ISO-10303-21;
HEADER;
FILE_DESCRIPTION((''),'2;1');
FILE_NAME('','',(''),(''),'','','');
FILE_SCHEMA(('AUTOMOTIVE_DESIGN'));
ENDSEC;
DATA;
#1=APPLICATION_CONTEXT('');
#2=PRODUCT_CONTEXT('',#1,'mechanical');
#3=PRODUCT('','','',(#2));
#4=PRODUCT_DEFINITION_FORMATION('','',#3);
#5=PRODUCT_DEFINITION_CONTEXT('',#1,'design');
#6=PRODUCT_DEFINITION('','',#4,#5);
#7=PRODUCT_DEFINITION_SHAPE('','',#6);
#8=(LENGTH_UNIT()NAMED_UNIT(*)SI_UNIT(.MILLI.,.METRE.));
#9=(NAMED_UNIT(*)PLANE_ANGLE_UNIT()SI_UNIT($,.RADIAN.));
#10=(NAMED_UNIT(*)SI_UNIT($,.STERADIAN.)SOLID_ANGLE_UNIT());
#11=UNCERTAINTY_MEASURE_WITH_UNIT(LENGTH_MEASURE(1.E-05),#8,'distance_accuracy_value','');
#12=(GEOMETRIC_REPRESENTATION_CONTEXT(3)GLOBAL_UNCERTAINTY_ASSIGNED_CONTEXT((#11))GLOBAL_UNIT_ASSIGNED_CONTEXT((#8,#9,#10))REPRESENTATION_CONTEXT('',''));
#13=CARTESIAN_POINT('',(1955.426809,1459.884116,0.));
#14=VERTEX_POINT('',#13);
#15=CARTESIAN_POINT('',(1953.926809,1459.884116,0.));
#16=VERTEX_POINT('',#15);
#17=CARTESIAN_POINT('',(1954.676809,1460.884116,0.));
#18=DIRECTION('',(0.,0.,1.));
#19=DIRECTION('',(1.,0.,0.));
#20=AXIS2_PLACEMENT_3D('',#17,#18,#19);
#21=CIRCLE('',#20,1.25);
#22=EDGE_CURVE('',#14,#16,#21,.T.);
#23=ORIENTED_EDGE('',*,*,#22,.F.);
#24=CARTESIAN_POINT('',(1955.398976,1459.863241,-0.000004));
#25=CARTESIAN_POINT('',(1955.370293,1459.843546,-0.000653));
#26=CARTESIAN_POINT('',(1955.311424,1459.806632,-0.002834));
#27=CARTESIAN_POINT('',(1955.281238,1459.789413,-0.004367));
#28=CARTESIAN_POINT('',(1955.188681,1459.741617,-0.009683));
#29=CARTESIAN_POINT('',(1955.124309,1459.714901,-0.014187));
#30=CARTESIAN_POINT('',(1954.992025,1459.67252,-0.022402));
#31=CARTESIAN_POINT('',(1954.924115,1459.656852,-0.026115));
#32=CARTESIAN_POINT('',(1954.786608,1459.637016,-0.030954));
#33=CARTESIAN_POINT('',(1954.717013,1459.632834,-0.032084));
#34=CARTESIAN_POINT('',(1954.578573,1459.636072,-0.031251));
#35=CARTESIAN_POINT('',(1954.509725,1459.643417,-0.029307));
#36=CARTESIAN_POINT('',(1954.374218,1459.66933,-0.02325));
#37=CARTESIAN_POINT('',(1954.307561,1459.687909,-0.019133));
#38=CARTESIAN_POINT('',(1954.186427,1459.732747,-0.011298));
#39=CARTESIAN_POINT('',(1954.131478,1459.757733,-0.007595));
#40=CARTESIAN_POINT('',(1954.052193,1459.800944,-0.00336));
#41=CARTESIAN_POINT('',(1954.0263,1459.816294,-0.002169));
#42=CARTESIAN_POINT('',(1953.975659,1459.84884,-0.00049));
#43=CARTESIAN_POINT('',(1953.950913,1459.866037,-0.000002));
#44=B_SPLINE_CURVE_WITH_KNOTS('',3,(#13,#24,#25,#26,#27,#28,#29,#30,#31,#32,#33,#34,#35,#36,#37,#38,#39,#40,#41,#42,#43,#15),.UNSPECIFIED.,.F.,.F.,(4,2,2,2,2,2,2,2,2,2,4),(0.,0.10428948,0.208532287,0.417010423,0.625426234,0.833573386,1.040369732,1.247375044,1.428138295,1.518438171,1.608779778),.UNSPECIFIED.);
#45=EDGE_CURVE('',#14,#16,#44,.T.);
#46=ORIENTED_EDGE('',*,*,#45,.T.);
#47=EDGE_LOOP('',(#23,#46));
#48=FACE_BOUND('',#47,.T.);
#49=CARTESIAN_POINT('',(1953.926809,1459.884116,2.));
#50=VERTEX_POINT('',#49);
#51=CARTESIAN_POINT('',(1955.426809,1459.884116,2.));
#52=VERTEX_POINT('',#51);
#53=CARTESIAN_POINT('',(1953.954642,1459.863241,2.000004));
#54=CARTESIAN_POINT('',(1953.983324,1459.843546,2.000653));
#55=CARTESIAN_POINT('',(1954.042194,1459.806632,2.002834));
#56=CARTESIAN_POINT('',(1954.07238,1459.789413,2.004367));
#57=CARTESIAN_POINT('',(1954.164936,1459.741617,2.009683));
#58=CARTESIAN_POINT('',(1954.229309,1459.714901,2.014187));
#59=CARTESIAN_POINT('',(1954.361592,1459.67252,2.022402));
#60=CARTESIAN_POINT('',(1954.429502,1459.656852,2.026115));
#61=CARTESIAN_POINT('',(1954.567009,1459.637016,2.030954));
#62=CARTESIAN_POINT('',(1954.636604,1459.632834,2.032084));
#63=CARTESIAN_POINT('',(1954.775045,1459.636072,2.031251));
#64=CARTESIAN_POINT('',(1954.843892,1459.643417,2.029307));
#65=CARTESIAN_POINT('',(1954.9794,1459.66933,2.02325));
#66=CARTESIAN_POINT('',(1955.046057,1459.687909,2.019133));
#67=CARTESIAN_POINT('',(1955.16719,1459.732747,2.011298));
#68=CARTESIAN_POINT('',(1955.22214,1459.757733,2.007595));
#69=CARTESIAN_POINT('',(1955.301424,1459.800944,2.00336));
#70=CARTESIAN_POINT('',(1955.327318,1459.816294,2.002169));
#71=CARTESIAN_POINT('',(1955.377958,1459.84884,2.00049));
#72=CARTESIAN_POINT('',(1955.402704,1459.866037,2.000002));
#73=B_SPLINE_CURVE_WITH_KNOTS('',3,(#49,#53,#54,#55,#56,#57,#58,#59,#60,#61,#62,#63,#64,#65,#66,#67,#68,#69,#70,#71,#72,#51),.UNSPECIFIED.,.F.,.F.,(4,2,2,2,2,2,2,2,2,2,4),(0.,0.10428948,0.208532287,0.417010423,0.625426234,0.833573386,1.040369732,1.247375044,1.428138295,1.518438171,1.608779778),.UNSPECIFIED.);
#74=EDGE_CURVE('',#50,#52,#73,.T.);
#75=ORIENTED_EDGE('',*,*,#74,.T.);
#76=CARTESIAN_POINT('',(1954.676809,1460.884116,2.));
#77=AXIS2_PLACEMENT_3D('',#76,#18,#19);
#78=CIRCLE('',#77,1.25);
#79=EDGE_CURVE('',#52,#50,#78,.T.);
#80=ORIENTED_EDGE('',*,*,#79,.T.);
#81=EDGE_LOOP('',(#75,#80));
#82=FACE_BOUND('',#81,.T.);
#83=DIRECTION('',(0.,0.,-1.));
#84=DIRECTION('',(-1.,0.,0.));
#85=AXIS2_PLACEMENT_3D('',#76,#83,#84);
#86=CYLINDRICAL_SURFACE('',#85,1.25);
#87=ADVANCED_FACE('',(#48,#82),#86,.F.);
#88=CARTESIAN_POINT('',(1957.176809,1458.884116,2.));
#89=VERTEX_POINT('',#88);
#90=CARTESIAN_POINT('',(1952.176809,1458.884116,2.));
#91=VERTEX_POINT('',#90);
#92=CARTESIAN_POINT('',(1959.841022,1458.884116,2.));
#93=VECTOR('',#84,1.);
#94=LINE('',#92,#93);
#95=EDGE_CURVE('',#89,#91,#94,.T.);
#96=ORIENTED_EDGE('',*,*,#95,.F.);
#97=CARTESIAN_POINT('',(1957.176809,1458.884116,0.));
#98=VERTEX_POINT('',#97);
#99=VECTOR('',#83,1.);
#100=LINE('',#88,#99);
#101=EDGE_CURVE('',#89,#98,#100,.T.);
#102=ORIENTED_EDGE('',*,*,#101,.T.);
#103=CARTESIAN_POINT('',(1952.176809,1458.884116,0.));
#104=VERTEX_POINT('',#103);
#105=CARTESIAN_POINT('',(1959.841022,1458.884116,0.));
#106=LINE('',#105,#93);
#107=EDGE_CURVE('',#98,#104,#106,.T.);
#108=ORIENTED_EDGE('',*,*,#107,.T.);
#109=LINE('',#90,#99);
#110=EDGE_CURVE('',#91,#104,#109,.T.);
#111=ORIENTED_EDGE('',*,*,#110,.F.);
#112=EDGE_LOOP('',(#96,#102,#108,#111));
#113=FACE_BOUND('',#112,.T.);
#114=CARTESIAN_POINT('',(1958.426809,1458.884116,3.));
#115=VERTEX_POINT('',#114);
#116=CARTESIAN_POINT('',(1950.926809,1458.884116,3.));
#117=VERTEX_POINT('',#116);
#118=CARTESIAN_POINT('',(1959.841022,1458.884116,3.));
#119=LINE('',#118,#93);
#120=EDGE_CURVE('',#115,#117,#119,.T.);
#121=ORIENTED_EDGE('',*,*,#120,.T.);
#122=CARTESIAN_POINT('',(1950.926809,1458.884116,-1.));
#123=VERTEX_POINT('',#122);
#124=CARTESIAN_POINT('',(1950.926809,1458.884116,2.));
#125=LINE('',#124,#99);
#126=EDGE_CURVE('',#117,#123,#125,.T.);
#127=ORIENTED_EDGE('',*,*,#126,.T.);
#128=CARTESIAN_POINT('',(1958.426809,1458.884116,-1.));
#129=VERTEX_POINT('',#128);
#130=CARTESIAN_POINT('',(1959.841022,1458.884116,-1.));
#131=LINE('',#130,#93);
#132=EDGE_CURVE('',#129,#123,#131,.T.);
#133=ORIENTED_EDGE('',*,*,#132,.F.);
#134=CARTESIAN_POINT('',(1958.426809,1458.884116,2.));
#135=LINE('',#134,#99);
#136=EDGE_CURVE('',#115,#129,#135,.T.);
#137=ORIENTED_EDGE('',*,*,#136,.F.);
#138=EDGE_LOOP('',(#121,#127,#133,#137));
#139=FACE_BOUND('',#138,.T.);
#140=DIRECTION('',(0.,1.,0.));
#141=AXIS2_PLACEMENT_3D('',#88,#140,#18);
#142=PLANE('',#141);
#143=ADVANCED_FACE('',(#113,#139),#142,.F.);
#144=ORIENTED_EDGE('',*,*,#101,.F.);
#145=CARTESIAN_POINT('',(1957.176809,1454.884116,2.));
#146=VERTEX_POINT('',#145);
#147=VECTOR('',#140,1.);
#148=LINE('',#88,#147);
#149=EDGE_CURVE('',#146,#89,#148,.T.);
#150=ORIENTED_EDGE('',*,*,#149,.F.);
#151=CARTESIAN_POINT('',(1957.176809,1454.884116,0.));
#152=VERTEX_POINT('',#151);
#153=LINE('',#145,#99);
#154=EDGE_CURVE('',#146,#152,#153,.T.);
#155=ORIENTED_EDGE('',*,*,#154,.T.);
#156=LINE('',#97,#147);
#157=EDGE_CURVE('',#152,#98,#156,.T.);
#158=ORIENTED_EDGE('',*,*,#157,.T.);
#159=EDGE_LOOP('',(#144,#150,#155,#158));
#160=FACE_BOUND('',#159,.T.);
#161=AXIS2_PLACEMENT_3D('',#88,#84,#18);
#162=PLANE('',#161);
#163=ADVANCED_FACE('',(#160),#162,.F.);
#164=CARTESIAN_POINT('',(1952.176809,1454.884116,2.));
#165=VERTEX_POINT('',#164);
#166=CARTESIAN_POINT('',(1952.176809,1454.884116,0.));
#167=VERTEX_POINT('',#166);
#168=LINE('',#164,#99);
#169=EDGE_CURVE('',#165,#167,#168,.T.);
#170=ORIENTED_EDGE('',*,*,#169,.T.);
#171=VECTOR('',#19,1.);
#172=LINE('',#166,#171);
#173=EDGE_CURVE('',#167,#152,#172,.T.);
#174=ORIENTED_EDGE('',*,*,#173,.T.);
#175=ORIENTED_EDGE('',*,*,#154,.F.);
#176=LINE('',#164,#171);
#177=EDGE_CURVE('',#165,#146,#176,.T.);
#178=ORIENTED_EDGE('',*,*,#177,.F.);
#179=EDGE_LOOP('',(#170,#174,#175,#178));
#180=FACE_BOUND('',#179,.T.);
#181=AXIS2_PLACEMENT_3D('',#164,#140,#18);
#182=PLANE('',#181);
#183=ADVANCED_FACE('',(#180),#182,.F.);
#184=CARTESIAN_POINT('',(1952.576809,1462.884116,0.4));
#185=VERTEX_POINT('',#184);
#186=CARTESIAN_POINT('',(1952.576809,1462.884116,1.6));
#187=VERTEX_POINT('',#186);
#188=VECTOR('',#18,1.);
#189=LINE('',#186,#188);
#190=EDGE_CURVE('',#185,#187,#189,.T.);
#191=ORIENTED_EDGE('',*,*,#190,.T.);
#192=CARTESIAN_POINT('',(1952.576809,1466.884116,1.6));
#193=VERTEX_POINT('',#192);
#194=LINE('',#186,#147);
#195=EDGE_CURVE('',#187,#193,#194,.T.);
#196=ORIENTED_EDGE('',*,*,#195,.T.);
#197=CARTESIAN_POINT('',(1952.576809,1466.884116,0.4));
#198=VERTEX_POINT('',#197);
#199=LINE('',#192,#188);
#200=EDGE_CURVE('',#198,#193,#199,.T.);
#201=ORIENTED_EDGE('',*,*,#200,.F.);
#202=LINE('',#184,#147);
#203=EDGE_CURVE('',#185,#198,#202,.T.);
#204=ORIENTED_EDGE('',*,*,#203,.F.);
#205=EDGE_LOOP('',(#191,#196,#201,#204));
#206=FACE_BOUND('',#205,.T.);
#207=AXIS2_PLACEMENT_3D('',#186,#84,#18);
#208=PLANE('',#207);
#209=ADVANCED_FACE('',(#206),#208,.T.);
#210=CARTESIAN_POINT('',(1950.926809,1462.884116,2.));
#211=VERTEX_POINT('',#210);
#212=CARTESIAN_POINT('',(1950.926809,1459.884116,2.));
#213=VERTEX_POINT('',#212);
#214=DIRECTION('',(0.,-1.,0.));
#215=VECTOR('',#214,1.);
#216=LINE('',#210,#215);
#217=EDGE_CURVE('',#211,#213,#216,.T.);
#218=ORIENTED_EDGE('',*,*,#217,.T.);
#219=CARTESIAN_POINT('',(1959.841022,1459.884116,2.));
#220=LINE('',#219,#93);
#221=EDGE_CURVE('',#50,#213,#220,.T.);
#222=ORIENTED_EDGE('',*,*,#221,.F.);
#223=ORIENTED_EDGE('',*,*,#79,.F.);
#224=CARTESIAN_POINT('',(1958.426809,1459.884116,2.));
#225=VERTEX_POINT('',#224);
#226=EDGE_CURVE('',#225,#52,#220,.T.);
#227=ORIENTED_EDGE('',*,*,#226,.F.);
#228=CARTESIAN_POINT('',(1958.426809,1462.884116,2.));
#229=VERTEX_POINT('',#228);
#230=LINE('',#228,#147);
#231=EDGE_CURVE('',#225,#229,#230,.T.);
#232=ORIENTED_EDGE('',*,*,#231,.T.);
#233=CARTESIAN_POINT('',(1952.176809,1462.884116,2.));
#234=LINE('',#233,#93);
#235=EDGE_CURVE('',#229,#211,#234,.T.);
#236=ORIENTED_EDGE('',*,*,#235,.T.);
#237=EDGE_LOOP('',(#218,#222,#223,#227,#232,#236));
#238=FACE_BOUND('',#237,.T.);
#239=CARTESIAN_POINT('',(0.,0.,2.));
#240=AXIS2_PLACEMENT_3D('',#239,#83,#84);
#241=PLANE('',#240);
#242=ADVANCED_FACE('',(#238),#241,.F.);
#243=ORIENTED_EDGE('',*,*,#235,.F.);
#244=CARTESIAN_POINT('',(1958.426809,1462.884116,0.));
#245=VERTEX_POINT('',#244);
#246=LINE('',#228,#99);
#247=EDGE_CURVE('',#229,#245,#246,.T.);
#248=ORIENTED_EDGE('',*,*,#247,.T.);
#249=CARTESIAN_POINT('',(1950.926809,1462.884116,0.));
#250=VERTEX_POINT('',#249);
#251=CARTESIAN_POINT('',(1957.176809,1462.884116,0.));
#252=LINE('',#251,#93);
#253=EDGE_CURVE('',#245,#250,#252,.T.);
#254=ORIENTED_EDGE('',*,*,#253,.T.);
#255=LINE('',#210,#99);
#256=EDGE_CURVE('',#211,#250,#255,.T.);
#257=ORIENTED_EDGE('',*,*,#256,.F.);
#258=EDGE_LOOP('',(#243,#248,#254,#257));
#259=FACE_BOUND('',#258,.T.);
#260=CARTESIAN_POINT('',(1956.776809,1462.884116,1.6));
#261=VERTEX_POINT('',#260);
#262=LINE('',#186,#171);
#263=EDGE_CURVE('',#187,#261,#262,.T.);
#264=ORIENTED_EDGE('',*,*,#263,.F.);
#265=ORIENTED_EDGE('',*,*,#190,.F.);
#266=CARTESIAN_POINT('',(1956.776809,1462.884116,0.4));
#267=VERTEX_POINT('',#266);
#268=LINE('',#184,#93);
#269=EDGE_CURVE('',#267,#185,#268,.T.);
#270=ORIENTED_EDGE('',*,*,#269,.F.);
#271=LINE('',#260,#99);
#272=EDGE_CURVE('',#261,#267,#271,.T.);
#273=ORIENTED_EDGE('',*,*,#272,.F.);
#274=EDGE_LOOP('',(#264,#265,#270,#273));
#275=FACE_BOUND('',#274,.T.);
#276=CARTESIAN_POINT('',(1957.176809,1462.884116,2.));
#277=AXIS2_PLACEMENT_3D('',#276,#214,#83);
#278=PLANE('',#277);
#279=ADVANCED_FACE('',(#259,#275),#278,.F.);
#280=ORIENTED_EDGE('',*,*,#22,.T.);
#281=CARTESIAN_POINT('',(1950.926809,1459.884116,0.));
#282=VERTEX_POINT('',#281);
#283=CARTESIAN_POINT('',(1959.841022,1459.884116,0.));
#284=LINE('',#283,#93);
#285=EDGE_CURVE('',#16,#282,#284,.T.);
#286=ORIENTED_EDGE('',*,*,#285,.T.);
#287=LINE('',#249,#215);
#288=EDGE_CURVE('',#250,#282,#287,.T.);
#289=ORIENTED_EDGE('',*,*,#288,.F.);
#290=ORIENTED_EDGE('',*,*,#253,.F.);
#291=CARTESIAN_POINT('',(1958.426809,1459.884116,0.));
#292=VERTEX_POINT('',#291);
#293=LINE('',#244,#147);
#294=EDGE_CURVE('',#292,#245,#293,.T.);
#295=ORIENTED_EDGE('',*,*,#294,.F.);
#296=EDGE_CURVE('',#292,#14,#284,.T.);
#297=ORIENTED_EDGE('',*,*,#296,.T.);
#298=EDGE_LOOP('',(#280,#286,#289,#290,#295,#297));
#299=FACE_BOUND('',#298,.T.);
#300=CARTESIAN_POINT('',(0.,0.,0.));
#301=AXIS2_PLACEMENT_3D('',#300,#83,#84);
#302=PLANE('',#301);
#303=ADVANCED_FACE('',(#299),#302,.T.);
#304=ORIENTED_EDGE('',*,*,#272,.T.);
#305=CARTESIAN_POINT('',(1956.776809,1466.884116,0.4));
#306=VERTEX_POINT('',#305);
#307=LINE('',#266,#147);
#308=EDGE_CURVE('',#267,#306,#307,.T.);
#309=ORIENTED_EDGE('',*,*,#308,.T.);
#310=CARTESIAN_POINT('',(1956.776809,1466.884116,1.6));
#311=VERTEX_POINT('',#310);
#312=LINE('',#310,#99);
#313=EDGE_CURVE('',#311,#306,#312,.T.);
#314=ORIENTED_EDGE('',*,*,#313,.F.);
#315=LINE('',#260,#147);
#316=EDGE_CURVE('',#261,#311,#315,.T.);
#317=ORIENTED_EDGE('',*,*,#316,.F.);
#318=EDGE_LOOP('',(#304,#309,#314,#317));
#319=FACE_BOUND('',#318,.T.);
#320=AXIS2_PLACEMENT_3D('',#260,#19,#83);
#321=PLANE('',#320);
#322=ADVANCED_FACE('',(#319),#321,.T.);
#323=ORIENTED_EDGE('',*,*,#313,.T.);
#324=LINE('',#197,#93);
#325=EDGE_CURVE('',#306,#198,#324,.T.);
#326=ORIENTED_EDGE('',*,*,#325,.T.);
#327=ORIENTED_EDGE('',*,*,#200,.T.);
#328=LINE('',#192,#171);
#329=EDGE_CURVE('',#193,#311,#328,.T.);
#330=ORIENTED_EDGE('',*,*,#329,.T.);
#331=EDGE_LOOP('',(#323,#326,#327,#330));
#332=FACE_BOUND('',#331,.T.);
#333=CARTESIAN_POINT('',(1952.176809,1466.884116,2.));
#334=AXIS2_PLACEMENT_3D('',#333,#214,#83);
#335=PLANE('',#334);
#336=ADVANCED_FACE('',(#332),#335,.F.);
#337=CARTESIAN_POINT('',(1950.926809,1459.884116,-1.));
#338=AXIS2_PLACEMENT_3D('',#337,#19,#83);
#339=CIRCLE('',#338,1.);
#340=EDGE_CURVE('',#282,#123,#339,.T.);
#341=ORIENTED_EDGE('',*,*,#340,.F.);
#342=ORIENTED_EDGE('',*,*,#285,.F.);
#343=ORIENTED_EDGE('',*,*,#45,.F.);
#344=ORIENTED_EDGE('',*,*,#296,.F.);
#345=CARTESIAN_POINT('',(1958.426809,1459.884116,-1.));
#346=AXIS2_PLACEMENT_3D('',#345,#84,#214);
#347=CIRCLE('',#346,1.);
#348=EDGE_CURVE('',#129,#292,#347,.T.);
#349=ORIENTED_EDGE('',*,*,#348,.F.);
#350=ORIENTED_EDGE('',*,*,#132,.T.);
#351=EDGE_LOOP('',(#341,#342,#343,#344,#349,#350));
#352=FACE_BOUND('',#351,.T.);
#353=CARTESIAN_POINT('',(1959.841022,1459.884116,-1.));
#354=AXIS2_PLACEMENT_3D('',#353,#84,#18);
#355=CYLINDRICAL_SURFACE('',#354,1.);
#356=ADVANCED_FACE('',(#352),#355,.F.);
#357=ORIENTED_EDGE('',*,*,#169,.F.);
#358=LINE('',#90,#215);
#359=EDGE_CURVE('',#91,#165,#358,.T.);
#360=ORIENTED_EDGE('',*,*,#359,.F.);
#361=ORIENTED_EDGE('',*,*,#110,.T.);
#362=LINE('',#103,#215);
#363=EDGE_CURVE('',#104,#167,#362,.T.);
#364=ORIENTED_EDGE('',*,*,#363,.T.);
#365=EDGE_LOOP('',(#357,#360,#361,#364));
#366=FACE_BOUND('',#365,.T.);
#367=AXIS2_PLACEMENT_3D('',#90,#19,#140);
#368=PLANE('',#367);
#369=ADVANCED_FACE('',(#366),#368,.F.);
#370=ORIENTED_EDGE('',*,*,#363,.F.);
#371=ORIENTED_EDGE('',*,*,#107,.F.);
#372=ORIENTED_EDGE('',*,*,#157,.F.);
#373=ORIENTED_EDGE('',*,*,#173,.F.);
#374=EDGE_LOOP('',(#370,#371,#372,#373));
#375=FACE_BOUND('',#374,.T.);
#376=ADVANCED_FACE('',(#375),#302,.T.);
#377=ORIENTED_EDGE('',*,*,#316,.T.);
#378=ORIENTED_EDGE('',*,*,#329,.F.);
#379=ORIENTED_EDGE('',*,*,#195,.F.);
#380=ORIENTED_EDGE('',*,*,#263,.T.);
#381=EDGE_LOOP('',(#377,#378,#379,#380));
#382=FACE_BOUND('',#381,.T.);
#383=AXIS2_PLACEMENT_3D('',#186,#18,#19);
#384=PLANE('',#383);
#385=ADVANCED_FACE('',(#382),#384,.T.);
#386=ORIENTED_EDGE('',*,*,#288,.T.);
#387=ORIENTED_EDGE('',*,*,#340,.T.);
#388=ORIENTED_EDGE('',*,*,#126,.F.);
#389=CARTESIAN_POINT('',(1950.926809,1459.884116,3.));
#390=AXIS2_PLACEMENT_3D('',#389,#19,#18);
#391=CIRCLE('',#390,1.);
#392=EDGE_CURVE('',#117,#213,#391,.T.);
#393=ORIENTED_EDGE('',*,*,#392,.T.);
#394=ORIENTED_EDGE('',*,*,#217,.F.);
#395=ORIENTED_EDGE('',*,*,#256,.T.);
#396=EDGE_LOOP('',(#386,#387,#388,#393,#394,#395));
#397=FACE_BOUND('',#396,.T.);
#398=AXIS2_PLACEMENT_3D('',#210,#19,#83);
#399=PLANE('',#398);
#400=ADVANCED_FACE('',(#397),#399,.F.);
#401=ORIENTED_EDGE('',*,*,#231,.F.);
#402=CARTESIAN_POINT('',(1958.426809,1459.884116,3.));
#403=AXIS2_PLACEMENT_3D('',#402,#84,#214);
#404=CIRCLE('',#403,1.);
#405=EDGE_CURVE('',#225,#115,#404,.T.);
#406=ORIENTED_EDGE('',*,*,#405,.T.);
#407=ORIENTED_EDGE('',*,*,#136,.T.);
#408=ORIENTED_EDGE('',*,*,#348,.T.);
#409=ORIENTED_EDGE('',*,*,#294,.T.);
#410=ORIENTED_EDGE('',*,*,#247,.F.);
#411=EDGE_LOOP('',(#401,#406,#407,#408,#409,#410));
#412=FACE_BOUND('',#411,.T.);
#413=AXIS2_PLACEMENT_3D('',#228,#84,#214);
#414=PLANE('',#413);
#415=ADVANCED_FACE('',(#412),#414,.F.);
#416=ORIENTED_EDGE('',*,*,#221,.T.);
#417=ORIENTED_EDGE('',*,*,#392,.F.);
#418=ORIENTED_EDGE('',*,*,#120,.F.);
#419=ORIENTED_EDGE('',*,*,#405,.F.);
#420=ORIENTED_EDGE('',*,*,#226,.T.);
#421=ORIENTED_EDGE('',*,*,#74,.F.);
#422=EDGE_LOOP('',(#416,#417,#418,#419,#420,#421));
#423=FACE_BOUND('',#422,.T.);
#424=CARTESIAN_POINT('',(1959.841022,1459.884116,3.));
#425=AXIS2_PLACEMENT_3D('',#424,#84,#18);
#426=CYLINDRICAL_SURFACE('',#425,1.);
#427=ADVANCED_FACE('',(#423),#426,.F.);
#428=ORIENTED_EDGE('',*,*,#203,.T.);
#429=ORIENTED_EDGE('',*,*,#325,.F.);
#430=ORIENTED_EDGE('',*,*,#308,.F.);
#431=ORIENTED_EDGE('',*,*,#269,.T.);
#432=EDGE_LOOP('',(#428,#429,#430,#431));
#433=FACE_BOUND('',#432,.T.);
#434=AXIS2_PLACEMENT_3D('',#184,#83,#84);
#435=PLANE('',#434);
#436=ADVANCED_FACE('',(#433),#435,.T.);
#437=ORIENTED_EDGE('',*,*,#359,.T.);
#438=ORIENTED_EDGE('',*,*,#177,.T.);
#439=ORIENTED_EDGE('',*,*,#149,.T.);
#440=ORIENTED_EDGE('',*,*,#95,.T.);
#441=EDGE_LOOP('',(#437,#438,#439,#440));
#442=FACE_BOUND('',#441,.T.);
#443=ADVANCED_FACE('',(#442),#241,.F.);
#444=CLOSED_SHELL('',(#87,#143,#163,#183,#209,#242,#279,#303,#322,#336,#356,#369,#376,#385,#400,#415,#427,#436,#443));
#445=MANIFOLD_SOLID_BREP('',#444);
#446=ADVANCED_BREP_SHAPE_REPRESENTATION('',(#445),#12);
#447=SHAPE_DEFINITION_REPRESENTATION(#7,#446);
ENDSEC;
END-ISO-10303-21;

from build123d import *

# Parameters (mm, degrees)
SKETCH1_R               = 1.25
BOSS_EXTRUDE1_DEPTH     = 2
BOSS_EXTRUDE2_DEPTH     = 7.5
SKETCH3_R               = 1.25
CUT_EXTRUDE1_DEPTH      = 2
CUT_EXTRUDE1_DEPTH_BACK = 4
SKETCH4_W               = 5
SKETCH4_H               = 2
SKETCH4_W_2             = 4.2
SKETCH4_H_2             = 1.2
CUT_EXTRUDE2_DEPTH      = 4


with BuildPart() as part:
    # Sketch1 → Boss-Extrude1 (new body)
    with BuildSketch(Plane.XY):
        Polygon((1952.176808721, 1466.884115951), (1957.176808721, 1466.884115951), (1957.176808721, 1462.884115951), (1958.426808721, 1462.884115951), (1958.426808721, 1458.884115951), (1957.176808721, 1458.884115951), (1957.176808721, 1454.884115951), (1952.176808721, 1454.884115951), (1952.176808721, 1458.884115951), (1950.926808721, 1458.884115951), (1950.926808721, 1462.884115951), (1952.176808721, 1462.884115951), align=None)
        with Locations((1954.676808721, 1460.884115951)):
            Circle(SKETCH1_R, mode=Mode.SUBTRACT)
    extrude(amount=BOSS_EXTRUDE1_DEPTH)

    # Sketch2 → Boss-Extrude2 (add)
    with BuildSketch(Plane.ZY.offset(-1950.926808721)):
        with BuildLine():
            Line((2, 1458.884115951), (2, 1459.884115951))
            ThreePointArc((2, 1459.884115951), (2.292893219, 1459.17700917), (3, 1458.884115951))
            Line((3, 1458.884115951), (2, 1458.884115951))
        make_face()
        with BuildLine():
            Line((0, 1458.884115951), (-1, 1458.884115951))
            ThreePointArc((-1, 1458.884115951), (-0.292893219, 1459.17700917), (0, 1459.884115951))
            Line((0, 1459.884115951), (0, 1458.884115951))
        make_face()
    extrude(amount=-BOSS_EXTRUDE2_DEPTH)

    # Sketch3 → Cut-Extrude1 (cut, two sides)
    with BuildSketch(Plane.XY.offset(2)) as cut_extrude1_sk:
        with Locations((1954.676808721, 1460.884115951)):
            Circle(SKETCH3_R)
    extrude(amount=CUT_EXTRUDE1_DEPTH, mode=Mode.SUBTRACT)
    extrude(cut_extrude1_sk.sketch, amount=-CUT_EXTRUDE1_DEPTH_BACK, mode=Mode.SUBTRACT)

    # Sketch4 → Cut-Extrude2 (cut)
    with BuildSketch(Plane(origin=(0, 1466.884115951, 0), x_dir=(1, 0, 0), z_dir=(0, 1, 0))):
        with Locations((1954.676808721, -1)):
            Rectangle(SKETCH4_W, SKETCH4_H)
        with Locations((1954.676808721, -1)):
            Rectangle(SKETCH4_W_2, SKETCH4_H_2, mode=Mode.SUBTRACT)
    extrude(amount=-CUT_EXTRUDE2_DEPTH, mode=Mode.SUBTRACT)


solid = part.part
